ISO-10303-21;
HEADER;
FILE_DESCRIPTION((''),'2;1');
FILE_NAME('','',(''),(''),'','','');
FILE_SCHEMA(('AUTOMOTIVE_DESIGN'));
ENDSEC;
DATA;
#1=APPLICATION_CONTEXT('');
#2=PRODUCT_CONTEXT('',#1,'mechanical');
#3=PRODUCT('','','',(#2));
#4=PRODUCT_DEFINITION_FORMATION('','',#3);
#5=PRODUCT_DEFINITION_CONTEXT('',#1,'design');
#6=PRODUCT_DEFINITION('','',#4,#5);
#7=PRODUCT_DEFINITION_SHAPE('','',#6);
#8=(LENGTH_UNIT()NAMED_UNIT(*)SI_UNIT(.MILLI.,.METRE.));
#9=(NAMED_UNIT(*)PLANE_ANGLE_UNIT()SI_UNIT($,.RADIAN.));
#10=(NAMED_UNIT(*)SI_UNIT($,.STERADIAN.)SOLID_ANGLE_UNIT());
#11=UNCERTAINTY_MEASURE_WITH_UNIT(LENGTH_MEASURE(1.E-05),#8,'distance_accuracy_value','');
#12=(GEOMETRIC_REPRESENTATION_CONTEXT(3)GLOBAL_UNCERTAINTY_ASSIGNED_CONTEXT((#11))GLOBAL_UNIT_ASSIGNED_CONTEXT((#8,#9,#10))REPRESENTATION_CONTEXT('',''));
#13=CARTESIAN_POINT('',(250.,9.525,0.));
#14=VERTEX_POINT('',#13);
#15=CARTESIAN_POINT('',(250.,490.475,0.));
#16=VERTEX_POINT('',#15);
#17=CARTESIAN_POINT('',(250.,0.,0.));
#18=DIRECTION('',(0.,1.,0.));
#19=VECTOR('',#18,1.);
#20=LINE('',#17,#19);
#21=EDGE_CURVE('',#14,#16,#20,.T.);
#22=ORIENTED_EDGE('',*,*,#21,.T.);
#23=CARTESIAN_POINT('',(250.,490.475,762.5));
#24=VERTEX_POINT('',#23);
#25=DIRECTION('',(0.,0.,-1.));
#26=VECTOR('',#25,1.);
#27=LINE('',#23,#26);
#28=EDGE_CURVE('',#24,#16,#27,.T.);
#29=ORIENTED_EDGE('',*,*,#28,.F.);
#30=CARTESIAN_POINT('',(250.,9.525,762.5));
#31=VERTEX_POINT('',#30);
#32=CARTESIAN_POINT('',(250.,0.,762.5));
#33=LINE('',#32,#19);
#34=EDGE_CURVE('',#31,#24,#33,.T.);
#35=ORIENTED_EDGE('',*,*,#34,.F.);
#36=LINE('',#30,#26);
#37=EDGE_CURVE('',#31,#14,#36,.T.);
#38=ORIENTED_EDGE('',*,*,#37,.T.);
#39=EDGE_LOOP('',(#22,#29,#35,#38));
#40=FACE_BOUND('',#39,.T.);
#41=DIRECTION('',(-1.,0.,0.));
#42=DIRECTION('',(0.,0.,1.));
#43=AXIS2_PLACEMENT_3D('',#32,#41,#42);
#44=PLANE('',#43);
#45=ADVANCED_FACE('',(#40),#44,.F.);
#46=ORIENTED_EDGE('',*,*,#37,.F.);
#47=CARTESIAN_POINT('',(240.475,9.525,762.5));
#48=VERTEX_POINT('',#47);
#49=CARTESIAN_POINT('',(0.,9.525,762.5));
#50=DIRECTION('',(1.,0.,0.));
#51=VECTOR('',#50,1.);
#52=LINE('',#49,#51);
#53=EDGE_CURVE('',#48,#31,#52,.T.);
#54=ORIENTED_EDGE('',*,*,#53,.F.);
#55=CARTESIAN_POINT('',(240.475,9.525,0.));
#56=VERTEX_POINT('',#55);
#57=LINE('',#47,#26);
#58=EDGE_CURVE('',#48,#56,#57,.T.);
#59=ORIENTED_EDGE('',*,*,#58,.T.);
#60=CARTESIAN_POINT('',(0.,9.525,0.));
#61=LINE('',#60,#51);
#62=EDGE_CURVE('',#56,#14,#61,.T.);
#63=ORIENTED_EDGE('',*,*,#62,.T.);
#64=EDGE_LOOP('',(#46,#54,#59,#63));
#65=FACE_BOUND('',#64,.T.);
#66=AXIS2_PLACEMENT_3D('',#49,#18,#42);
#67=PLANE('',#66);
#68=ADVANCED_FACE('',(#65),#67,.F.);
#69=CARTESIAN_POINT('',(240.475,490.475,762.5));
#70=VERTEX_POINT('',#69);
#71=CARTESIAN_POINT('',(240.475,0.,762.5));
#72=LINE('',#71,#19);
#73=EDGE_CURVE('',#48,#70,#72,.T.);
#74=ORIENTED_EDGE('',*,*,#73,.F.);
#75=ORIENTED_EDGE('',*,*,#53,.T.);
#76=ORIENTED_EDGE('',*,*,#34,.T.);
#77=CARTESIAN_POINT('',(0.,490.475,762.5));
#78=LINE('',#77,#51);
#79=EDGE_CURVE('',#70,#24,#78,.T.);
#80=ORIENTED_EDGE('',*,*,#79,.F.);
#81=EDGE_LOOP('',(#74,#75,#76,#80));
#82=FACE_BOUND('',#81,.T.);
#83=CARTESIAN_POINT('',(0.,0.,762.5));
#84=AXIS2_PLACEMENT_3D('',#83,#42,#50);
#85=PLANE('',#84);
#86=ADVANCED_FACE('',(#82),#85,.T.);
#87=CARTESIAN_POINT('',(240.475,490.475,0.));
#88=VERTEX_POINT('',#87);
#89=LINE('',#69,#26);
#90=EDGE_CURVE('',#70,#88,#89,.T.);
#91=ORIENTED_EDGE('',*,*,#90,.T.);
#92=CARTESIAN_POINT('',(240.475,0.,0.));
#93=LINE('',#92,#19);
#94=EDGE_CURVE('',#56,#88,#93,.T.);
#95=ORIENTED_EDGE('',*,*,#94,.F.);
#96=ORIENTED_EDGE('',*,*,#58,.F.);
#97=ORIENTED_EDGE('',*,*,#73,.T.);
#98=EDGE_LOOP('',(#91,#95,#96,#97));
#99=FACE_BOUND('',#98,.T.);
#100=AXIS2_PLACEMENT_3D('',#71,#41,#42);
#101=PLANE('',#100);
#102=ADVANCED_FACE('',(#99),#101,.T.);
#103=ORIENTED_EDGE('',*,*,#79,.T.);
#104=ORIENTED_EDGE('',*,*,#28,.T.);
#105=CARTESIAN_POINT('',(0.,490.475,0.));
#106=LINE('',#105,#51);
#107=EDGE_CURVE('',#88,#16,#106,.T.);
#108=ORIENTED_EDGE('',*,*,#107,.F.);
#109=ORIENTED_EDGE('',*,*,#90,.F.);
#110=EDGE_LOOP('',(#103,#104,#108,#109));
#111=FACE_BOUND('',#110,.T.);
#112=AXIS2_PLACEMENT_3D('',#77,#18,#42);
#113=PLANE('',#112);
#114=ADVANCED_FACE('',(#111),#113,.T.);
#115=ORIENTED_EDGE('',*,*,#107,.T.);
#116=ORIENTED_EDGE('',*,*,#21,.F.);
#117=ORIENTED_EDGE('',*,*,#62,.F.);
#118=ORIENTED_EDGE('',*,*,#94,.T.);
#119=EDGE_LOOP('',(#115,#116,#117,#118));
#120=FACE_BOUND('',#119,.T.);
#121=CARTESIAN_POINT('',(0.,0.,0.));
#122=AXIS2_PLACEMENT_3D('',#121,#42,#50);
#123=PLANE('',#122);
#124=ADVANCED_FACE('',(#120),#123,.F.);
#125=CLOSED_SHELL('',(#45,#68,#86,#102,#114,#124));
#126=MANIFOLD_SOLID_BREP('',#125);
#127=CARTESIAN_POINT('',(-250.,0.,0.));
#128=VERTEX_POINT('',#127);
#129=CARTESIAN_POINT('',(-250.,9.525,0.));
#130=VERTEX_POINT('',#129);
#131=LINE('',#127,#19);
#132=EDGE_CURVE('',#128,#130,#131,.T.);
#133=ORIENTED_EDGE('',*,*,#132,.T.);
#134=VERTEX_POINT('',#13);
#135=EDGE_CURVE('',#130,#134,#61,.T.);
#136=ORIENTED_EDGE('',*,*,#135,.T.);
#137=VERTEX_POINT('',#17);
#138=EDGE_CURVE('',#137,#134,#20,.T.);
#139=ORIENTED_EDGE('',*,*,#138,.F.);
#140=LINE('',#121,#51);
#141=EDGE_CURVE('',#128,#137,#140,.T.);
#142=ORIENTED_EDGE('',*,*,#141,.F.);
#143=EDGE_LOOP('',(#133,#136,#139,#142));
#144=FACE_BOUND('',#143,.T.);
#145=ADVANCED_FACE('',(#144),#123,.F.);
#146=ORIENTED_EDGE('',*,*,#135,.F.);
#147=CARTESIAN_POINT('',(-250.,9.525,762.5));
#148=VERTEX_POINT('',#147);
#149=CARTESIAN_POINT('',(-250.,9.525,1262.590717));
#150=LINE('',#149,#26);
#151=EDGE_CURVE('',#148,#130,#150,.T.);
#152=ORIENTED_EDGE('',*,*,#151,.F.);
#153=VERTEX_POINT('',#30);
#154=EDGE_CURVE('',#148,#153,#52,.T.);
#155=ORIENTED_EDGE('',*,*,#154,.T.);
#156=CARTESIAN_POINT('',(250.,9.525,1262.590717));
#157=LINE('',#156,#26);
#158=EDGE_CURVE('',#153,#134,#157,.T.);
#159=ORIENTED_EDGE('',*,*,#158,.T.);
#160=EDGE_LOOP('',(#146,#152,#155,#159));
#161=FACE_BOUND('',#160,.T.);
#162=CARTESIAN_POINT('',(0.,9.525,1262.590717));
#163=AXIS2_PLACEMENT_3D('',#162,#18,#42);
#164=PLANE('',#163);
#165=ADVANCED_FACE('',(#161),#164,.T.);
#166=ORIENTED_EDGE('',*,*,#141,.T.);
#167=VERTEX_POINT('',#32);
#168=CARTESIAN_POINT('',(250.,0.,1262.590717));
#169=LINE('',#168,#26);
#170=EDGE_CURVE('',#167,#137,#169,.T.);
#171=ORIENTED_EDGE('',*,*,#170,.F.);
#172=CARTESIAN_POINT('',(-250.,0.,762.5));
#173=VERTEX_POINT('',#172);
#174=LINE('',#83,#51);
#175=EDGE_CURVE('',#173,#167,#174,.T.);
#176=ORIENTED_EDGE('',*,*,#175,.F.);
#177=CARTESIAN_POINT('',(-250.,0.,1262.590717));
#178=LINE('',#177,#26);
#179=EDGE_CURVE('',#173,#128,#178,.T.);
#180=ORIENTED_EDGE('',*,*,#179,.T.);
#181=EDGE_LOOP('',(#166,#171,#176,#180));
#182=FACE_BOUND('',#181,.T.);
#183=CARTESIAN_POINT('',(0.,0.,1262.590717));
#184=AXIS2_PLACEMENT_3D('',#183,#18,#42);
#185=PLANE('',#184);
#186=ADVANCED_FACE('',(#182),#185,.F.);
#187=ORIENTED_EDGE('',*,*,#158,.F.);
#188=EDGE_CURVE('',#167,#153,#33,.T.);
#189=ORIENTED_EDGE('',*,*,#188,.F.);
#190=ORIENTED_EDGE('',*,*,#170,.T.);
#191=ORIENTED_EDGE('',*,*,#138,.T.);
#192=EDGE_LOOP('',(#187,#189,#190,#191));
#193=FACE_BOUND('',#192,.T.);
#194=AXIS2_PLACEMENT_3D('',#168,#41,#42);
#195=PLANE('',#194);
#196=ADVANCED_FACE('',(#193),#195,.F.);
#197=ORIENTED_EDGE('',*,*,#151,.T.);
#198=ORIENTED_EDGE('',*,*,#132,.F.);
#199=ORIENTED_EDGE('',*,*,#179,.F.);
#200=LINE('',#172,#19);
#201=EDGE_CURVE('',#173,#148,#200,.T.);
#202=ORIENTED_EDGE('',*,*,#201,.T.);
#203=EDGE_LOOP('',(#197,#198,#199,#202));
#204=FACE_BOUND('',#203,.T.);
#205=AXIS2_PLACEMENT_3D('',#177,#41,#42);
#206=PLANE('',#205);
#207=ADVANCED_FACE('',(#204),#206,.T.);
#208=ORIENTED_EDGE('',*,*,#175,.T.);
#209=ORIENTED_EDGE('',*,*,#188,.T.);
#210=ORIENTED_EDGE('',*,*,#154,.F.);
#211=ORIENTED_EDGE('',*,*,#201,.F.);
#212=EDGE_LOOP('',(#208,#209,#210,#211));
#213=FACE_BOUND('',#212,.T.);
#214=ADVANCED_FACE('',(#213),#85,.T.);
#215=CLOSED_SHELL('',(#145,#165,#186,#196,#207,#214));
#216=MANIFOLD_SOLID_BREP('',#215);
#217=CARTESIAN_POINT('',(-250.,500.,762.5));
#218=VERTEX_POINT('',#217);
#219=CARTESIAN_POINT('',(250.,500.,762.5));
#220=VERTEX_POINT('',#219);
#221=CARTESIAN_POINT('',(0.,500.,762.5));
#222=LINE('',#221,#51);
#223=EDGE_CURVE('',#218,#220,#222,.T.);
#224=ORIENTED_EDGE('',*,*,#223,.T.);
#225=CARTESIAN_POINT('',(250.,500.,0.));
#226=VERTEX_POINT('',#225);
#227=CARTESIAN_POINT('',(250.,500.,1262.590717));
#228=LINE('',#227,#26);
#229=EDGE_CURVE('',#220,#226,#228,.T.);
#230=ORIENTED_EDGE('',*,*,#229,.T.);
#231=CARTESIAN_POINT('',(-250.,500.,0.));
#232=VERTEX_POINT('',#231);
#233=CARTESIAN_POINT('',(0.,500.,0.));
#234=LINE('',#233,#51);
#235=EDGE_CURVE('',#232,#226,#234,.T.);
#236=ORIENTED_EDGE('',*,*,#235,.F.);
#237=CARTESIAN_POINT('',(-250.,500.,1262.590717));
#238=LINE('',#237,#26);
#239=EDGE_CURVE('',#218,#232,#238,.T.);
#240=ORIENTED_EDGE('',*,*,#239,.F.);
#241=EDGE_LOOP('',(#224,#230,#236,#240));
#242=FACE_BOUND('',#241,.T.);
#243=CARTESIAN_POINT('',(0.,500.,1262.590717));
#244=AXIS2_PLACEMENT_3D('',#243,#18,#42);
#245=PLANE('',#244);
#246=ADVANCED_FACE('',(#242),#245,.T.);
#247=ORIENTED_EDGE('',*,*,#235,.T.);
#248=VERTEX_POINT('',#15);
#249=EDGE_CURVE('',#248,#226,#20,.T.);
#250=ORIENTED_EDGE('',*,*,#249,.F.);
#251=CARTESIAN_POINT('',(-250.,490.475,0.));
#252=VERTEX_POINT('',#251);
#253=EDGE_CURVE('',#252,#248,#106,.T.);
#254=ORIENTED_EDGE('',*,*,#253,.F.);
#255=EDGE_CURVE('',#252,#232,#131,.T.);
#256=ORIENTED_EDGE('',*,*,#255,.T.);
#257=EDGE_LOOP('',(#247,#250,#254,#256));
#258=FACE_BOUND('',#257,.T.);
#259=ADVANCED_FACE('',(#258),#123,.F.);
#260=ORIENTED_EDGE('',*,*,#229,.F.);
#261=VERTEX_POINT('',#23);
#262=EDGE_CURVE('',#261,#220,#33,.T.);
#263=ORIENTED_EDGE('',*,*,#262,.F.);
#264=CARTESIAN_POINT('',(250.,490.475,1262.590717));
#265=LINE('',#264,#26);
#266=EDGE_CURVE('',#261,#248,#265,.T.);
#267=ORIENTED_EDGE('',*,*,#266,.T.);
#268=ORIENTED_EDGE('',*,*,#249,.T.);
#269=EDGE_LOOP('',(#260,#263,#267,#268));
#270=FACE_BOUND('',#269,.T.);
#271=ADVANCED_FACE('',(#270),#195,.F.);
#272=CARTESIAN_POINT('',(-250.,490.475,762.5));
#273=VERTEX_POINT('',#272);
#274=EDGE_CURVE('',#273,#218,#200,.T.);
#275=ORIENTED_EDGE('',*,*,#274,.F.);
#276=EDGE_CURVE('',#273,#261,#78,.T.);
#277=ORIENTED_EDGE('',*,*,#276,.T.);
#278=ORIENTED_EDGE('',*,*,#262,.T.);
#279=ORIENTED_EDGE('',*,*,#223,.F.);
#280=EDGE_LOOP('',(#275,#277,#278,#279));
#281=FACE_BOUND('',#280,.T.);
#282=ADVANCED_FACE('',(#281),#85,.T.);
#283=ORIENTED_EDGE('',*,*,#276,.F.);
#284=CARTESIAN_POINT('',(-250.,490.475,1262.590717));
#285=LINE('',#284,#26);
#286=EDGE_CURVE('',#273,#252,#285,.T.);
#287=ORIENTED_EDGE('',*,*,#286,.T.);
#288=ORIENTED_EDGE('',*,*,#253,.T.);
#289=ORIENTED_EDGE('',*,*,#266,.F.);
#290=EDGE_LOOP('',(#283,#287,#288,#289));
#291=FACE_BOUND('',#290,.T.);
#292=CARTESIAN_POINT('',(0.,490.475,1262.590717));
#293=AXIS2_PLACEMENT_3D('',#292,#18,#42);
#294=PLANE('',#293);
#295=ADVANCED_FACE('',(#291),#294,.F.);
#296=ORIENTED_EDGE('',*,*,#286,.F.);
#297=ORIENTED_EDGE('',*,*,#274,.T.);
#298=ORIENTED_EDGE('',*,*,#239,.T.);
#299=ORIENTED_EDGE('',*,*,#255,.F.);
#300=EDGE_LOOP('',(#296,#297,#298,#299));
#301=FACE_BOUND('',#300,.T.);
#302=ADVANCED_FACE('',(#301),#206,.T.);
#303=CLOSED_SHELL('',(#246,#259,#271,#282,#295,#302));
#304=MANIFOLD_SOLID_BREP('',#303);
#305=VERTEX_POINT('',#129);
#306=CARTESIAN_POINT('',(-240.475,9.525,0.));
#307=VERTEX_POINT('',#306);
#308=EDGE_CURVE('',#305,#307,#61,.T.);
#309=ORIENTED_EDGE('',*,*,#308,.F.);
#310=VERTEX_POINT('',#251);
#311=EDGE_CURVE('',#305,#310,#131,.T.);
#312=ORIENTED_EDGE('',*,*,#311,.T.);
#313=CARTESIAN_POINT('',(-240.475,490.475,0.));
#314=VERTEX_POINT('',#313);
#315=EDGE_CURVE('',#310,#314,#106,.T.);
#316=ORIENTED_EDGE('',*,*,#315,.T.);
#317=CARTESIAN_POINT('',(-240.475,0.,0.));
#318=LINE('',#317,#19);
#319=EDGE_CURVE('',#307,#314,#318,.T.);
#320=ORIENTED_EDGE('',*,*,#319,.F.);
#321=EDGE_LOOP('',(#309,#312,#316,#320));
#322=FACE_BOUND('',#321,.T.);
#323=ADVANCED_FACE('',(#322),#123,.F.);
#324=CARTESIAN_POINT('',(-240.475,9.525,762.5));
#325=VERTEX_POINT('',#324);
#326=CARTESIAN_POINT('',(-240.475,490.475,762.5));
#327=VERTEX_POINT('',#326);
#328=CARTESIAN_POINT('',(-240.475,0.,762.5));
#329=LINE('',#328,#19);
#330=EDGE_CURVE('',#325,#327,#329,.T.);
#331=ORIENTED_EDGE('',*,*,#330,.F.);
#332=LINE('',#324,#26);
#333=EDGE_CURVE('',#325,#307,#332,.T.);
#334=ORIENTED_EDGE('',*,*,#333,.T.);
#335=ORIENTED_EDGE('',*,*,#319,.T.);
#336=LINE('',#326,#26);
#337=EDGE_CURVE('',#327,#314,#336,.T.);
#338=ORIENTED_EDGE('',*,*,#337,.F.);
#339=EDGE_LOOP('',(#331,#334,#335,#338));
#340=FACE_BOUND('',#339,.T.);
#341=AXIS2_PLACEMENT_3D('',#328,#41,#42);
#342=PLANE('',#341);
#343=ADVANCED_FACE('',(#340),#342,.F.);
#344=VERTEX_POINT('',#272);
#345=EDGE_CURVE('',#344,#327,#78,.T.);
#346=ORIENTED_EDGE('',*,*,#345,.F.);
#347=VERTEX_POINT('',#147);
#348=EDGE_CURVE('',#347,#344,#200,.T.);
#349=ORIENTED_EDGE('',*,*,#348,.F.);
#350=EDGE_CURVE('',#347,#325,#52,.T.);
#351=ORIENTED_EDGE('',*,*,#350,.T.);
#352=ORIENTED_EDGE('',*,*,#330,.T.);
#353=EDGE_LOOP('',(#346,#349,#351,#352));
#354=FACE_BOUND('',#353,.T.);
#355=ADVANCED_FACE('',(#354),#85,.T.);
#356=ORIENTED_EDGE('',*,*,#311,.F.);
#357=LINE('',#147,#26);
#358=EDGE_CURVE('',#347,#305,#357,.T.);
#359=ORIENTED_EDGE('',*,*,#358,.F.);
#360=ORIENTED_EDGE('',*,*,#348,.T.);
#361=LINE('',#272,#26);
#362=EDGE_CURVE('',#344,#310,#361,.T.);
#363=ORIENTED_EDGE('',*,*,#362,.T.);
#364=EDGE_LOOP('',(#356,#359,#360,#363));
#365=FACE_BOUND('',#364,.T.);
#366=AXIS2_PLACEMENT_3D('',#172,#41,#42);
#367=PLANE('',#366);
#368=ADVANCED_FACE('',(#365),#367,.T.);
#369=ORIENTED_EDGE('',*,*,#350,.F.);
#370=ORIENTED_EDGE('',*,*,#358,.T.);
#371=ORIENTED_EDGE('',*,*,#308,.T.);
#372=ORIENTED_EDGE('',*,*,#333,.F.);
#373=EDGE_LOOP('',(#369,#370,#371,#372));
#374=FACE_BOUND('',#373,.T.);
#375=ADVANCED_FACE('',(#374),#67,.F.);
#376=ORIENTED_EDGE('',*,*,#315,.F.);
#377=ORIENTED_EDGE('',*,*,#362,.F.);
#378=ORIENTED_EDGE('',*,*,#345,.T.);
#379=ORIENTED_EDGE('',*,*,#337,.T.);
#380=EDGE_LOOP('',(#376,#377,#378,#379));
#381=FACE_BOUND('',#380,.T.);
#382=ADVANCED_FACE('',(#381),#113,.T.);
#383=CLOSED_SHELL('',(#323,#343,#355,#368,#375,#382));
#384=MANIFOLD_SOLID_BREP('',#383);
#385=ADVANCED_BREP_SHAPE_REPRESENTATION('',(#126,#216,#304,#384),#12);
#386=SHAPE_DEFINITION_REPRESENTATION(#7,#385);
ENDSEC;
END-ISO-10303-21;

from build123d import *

# Parameters (mm, degrees)
SKETCH1_W             = 9.525
SKETCH1_H             = 480.95
BOSS_EXTRUDE1_DEPTH   = 762.5
BOSS_EXTRUDE1_2_DEPTH = 762.5
BOSS_EXTRUDE2_DEPTH   = 762.5
BOSS_EXTRUDE2_2_DEPTH = 762.5


with BuildPart() as part:
    # Sketch1 → Boss-Extrude1 (new body)
    with BuildSketch(Plane.XY):
        with Locations((-245.2375, 250)):
            Rectangle(SKETCH1_W, SKETCH1_H)
    extrude(amount=BOSS_EXTRUDE1_DEPTH)


with BuildPart() as body_2:
    # Sketch1 → Boss-Extrude1 2 (new body)
    with BuildSketch(Plane.XY):
        with Locations((245.2375, 250)):
            Rectangle(SKETCH1_W, SKETCH1_H)
    extrude(amount=BOSS_EXTRUDE1_2_DEPTH)


with BuildPart() as body_3:
    # Sketch1<3> → Boss-Extrude2 (new body)
    with BuildSketch(Plane.XY):
        Polygon((-250, 490.475), (-240.475, 490.475), (240.475, 490.475), (250, 490.475), (250, 500), (-250, 500), align=None)
    extrude(amount=BOSS_EXTRUDE2_DEPTH)


with BuildPart() as body_4:
    # Sketch1<3> → Boss-Extrude2 2 (new body)
    with BuildSketch(Plane.XY):
        Polygon((240.475, 9.525), (-240.475, 9.525), (-250, 9.525), (-250, 0), (250, 0), (250, 9.525), align=None)
    extrude(amount=BOSS_EXTRUDE2_2_DEPTH)


solid = Compound([part.part, body_2.part, body_3.part, body_4.part])
